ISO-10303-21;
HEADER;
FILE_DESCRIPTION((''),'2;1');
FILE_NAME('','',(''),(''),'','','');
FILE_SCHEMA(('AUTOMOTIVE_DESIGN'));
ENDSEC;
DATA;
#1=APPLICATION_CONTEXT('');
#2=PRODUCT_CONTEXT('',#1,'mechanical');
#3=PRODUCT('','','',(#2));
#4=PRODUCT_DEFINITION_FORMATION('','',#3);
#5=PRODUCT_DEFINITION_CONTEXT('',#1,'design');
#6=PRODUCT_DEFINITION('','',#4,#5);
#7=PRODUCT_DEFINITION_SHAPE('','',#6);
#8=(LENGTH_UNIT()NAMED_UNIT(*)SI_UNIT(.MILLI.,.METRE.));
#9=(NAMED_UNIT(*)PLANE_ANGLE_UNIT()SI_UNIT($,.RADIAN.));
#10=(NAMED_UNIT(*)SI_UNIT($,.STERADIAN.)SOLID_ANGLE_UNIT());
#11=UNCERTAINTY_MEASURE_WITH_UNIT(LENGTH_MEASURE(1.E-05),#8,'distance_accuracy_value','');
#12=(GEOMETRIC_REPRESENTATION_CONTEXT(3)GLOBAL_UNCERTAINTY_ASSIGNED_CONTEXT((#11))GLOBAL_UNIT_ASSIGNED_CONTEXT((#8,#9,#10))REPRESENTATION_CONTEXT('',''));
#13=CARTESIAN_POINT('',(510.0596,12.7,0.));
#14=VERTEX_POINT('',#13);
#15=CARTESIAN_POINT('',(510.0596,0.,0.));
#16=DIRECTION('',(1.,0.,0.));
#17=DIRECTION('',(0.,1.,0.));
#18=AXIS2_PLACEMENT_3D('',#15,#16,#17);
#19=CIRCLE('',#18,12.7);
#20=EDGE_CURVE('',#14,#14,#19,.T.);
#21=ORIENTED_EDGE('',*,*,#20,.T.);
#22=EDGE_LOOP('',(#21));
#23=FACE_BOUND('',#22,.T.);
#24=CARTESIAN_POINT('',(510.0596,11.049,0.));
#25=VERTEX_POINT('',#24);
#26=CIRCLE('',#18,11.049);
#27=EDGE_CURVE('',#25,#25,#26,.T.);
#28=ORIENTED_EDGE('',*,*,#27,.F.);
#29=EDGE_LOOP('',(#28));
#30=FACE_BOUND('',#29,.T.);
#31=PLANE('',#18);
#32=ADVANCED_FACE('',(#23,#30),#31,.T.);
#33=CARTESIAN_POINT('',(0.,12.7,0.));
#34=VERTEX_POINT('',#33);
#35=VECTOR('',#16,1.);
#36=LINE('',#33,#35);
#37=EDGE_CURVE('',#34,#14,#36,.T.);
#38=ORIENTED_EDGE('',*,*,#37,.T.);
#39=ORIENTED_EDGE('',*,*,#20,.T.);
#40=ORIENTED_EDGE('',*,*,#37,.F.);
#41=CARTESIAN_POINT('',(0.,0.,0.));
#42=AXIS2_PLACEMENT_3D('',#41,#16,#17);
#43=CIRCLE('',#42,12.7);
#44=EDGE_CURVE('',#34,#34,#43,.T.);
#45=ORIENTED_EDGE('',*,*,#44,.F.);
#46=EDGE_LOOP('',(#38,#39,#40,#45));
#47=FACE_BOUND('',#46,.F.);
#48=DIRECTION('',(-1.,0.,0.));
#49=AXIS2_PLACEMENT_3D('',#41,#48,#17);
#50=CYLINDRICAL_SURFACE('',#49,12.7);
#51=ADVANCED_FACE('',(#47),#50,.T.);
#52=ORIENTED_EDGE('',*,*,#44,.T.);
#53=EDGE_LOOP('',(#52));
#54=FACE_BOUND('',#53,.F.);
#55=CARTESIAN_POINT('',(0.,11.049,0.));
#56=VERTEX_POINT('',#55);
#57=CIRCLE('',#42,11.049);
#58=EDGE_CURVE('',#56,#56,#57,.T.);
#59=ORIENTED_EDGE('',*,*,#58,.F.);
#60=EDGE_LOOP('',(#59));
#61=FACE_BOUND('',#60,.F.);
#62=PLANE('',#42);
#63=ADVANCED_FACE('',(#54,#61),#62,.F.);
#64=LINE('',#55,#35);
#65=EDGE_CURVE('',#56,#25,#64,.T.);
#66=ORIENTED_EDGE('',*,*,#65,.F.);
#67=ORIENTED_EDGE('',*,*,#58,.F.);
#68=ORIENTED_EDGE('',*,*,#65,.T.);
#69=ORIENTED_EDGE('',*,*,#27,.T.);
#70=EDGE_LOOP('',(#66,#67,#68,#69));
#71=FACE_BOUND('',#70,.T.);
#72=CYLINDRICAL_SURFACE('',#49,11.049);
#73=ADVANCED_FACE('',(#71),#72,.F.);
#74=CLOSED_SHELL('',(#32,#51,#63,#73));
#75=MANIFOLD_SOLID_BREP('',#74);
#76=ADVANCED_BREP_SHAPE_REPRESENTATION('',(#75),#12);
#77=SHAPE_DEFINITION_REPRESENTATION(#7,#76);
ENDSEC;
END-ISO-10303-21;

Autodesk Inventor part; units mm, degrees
ref_plane "XZ Plane" through (0, 0, 0) normal (0, 1, 0) x (-1, 0, 0)
ref_plane "Start Plane" through (0, 0, 0) normal (1, 0, 0) x (0, 1, 0)
ref_plane "End Plane" through (510.0596, 0, 0) normal (1, 0, 0) x (0, 1, 0)
sketch "Sketch" plane through (0, 0, 0) normal (1, 0, 0) x (0, 1, 0)
  circle A0 centre (0, 0) radius 12.7
  circle A1 centre (0, 0) radius 11.049
  dimension "d0" = 25.4
  dimension "d1" = 1.651
extrude "Body" add sketch "Sketch" along normal up to surface (510.0596 mm away) from surface at 0
sketch "Sketch2" plane through (0, 0, 0) normal (1, 0, 0) x (0, 1, 0)
  line L0 (0, 0) -> (10, 0)
ref_plane "Work Plane3" through (0, 0, 0) normal (0, 0, -1) x (0, 1, 0)
sketch "Sketch3" plane through (0, 0, 0) normal (0, 0, -1) x (0, 1, 0)
  line L0 (-2, 0) -> (12, 0)
  line L1 (-2, 510.0596) -> (12, 510.0596)
  dimension "d9" = 510.0596
equation "\"G_OFFSET_START\" = 0"
equation "\"G_OFFSET_END\" = 0"
equation "\"d5\" = d2 + G_OFFSET_END"
equation "\"G_L\" = d9"
equation "\"d2\" = 510.059575"
properties part number "4130_1x0.065" material "Steel, Alloy"
